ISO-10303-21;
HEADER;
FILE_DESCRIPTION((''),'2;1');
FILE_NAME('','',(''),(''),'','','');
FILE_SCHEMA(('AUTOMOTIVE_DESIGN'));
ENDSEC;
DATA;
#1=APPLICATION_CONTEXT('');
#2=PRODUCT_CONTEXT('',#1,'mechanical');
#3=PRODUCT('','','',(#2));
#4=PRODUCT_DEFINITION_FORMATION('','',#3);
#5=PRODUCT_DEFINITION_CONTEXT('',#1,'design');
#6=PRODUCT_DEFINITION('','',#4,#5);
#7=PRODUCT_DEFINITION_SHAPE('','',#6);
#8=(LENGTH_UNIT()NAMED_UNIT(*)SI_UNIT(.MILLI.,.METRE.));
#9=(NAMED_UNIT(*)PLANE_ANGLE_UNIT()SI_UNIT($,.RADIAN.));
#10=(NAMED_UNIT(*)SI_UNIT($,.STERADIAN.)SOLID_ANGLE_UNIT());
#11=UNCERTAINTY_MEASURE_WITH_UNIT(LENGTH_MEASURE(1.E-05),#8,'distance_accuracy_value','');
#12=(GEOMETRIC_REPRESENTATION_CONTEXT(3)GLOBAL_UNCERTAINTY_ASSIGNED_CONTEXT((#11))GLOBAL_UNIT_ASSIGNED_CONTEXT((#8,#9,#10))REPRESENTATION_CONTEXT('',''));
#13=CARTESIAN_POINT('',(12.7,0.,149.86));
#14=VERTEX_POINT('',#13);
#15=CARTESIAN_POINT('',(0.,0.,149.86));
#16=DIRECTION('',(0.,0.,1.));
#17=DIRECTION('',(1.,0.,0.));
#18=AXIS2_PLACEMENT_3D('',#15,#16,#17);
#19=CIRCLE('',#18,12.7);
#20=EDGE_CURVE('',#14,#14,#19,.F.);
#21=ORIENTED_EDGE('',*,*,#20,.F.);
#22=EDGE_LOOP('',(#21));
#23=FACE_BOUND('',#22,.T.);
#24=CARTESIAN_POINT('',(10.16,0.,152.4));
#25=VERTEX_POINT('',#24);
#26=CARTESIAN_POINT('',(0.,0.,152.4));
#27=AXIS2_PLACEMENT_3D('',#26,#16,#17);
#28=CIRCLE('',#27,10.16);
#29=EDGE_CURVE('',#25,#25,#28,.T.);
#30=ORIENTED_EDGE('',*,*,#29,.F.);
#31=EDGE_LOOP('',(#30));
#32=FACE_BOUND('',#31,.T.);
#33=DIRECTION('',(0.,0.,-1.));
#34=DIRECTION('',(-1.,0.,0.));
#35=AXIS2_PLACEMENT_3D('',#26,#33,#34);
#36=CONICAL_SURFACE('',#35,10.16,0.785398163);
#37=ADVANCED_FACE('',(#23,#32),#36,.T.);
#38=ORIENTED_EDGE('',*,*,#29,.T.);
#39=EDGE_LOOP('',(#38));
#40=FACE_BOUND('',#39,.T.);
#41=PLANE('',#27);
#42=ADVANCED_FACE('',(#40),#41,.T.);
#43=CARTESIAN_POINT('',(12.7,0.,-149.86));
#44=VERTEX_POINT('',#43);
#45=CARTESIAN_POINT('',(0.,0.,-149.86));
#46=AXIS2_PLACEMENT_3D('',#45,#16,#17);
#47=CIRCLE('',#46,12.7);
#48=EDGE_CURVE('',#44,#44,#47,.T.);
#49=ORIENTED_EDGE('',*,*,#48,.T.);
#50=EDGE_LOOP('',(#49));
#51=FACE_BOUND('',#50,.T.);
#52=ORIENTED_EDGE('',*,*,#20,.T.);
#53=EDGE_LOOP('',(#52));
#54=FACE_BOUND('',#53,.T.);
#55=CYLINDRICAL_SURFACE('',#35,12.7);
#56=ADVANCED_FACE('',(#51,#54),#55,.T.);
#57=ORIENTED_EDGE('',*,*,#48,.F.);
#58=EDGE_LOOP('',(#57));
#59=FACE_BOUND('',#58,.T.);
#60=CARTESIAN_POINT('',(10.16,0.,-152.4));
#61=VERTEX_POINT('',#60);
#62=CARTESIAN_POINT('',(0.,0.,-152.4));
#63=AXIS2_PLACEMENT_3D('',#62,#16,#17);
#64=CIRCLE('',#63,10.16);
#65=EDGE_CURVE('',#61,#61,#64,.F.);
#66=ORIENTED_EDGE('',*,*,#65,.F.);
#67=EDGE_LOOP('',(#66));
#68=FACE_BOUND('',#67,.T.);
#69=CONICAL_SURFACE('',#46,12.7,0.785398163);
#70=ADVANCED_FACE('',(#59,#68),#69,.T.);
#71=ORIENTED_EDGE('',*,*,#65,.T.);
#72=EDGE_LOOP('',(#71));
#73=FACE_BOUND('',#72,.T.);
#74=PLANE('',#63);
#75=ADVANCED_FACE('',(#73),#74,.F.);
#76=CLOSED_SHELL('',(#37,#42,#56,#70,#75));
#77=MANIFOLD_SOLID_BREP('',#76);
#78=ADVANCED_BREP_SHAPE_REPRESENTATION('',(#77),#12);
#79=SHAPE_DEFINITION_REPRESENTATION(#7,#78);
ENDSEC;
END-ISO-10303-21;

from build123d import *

# Parameters (mm, degrees)
SKETCH1_R      = 12.7
EXTRUDE1_DEPTH = 152.4
CHAMFER1_SIZE  = 2.54


with BuildPart() as part:
    # Sketch1 → Extrude1 (new body, symmetric)
    with BuildSketch(Plane.XY):
        Circle(SKETCH1_R)
    extrude(amount=EXTRUDE1_DEPTH, both=True)

    # Chamfer1
    chamfer1_edges = [part.edges().sort_by_distance(p)[0] for p in [
        (-12.7, 0, -152.4),
        (-12.7, 0, 152.4),
    ]]
    chamfer(chamfer1_edges, length=CHAMFER1_SIZE)


solid = part.part
